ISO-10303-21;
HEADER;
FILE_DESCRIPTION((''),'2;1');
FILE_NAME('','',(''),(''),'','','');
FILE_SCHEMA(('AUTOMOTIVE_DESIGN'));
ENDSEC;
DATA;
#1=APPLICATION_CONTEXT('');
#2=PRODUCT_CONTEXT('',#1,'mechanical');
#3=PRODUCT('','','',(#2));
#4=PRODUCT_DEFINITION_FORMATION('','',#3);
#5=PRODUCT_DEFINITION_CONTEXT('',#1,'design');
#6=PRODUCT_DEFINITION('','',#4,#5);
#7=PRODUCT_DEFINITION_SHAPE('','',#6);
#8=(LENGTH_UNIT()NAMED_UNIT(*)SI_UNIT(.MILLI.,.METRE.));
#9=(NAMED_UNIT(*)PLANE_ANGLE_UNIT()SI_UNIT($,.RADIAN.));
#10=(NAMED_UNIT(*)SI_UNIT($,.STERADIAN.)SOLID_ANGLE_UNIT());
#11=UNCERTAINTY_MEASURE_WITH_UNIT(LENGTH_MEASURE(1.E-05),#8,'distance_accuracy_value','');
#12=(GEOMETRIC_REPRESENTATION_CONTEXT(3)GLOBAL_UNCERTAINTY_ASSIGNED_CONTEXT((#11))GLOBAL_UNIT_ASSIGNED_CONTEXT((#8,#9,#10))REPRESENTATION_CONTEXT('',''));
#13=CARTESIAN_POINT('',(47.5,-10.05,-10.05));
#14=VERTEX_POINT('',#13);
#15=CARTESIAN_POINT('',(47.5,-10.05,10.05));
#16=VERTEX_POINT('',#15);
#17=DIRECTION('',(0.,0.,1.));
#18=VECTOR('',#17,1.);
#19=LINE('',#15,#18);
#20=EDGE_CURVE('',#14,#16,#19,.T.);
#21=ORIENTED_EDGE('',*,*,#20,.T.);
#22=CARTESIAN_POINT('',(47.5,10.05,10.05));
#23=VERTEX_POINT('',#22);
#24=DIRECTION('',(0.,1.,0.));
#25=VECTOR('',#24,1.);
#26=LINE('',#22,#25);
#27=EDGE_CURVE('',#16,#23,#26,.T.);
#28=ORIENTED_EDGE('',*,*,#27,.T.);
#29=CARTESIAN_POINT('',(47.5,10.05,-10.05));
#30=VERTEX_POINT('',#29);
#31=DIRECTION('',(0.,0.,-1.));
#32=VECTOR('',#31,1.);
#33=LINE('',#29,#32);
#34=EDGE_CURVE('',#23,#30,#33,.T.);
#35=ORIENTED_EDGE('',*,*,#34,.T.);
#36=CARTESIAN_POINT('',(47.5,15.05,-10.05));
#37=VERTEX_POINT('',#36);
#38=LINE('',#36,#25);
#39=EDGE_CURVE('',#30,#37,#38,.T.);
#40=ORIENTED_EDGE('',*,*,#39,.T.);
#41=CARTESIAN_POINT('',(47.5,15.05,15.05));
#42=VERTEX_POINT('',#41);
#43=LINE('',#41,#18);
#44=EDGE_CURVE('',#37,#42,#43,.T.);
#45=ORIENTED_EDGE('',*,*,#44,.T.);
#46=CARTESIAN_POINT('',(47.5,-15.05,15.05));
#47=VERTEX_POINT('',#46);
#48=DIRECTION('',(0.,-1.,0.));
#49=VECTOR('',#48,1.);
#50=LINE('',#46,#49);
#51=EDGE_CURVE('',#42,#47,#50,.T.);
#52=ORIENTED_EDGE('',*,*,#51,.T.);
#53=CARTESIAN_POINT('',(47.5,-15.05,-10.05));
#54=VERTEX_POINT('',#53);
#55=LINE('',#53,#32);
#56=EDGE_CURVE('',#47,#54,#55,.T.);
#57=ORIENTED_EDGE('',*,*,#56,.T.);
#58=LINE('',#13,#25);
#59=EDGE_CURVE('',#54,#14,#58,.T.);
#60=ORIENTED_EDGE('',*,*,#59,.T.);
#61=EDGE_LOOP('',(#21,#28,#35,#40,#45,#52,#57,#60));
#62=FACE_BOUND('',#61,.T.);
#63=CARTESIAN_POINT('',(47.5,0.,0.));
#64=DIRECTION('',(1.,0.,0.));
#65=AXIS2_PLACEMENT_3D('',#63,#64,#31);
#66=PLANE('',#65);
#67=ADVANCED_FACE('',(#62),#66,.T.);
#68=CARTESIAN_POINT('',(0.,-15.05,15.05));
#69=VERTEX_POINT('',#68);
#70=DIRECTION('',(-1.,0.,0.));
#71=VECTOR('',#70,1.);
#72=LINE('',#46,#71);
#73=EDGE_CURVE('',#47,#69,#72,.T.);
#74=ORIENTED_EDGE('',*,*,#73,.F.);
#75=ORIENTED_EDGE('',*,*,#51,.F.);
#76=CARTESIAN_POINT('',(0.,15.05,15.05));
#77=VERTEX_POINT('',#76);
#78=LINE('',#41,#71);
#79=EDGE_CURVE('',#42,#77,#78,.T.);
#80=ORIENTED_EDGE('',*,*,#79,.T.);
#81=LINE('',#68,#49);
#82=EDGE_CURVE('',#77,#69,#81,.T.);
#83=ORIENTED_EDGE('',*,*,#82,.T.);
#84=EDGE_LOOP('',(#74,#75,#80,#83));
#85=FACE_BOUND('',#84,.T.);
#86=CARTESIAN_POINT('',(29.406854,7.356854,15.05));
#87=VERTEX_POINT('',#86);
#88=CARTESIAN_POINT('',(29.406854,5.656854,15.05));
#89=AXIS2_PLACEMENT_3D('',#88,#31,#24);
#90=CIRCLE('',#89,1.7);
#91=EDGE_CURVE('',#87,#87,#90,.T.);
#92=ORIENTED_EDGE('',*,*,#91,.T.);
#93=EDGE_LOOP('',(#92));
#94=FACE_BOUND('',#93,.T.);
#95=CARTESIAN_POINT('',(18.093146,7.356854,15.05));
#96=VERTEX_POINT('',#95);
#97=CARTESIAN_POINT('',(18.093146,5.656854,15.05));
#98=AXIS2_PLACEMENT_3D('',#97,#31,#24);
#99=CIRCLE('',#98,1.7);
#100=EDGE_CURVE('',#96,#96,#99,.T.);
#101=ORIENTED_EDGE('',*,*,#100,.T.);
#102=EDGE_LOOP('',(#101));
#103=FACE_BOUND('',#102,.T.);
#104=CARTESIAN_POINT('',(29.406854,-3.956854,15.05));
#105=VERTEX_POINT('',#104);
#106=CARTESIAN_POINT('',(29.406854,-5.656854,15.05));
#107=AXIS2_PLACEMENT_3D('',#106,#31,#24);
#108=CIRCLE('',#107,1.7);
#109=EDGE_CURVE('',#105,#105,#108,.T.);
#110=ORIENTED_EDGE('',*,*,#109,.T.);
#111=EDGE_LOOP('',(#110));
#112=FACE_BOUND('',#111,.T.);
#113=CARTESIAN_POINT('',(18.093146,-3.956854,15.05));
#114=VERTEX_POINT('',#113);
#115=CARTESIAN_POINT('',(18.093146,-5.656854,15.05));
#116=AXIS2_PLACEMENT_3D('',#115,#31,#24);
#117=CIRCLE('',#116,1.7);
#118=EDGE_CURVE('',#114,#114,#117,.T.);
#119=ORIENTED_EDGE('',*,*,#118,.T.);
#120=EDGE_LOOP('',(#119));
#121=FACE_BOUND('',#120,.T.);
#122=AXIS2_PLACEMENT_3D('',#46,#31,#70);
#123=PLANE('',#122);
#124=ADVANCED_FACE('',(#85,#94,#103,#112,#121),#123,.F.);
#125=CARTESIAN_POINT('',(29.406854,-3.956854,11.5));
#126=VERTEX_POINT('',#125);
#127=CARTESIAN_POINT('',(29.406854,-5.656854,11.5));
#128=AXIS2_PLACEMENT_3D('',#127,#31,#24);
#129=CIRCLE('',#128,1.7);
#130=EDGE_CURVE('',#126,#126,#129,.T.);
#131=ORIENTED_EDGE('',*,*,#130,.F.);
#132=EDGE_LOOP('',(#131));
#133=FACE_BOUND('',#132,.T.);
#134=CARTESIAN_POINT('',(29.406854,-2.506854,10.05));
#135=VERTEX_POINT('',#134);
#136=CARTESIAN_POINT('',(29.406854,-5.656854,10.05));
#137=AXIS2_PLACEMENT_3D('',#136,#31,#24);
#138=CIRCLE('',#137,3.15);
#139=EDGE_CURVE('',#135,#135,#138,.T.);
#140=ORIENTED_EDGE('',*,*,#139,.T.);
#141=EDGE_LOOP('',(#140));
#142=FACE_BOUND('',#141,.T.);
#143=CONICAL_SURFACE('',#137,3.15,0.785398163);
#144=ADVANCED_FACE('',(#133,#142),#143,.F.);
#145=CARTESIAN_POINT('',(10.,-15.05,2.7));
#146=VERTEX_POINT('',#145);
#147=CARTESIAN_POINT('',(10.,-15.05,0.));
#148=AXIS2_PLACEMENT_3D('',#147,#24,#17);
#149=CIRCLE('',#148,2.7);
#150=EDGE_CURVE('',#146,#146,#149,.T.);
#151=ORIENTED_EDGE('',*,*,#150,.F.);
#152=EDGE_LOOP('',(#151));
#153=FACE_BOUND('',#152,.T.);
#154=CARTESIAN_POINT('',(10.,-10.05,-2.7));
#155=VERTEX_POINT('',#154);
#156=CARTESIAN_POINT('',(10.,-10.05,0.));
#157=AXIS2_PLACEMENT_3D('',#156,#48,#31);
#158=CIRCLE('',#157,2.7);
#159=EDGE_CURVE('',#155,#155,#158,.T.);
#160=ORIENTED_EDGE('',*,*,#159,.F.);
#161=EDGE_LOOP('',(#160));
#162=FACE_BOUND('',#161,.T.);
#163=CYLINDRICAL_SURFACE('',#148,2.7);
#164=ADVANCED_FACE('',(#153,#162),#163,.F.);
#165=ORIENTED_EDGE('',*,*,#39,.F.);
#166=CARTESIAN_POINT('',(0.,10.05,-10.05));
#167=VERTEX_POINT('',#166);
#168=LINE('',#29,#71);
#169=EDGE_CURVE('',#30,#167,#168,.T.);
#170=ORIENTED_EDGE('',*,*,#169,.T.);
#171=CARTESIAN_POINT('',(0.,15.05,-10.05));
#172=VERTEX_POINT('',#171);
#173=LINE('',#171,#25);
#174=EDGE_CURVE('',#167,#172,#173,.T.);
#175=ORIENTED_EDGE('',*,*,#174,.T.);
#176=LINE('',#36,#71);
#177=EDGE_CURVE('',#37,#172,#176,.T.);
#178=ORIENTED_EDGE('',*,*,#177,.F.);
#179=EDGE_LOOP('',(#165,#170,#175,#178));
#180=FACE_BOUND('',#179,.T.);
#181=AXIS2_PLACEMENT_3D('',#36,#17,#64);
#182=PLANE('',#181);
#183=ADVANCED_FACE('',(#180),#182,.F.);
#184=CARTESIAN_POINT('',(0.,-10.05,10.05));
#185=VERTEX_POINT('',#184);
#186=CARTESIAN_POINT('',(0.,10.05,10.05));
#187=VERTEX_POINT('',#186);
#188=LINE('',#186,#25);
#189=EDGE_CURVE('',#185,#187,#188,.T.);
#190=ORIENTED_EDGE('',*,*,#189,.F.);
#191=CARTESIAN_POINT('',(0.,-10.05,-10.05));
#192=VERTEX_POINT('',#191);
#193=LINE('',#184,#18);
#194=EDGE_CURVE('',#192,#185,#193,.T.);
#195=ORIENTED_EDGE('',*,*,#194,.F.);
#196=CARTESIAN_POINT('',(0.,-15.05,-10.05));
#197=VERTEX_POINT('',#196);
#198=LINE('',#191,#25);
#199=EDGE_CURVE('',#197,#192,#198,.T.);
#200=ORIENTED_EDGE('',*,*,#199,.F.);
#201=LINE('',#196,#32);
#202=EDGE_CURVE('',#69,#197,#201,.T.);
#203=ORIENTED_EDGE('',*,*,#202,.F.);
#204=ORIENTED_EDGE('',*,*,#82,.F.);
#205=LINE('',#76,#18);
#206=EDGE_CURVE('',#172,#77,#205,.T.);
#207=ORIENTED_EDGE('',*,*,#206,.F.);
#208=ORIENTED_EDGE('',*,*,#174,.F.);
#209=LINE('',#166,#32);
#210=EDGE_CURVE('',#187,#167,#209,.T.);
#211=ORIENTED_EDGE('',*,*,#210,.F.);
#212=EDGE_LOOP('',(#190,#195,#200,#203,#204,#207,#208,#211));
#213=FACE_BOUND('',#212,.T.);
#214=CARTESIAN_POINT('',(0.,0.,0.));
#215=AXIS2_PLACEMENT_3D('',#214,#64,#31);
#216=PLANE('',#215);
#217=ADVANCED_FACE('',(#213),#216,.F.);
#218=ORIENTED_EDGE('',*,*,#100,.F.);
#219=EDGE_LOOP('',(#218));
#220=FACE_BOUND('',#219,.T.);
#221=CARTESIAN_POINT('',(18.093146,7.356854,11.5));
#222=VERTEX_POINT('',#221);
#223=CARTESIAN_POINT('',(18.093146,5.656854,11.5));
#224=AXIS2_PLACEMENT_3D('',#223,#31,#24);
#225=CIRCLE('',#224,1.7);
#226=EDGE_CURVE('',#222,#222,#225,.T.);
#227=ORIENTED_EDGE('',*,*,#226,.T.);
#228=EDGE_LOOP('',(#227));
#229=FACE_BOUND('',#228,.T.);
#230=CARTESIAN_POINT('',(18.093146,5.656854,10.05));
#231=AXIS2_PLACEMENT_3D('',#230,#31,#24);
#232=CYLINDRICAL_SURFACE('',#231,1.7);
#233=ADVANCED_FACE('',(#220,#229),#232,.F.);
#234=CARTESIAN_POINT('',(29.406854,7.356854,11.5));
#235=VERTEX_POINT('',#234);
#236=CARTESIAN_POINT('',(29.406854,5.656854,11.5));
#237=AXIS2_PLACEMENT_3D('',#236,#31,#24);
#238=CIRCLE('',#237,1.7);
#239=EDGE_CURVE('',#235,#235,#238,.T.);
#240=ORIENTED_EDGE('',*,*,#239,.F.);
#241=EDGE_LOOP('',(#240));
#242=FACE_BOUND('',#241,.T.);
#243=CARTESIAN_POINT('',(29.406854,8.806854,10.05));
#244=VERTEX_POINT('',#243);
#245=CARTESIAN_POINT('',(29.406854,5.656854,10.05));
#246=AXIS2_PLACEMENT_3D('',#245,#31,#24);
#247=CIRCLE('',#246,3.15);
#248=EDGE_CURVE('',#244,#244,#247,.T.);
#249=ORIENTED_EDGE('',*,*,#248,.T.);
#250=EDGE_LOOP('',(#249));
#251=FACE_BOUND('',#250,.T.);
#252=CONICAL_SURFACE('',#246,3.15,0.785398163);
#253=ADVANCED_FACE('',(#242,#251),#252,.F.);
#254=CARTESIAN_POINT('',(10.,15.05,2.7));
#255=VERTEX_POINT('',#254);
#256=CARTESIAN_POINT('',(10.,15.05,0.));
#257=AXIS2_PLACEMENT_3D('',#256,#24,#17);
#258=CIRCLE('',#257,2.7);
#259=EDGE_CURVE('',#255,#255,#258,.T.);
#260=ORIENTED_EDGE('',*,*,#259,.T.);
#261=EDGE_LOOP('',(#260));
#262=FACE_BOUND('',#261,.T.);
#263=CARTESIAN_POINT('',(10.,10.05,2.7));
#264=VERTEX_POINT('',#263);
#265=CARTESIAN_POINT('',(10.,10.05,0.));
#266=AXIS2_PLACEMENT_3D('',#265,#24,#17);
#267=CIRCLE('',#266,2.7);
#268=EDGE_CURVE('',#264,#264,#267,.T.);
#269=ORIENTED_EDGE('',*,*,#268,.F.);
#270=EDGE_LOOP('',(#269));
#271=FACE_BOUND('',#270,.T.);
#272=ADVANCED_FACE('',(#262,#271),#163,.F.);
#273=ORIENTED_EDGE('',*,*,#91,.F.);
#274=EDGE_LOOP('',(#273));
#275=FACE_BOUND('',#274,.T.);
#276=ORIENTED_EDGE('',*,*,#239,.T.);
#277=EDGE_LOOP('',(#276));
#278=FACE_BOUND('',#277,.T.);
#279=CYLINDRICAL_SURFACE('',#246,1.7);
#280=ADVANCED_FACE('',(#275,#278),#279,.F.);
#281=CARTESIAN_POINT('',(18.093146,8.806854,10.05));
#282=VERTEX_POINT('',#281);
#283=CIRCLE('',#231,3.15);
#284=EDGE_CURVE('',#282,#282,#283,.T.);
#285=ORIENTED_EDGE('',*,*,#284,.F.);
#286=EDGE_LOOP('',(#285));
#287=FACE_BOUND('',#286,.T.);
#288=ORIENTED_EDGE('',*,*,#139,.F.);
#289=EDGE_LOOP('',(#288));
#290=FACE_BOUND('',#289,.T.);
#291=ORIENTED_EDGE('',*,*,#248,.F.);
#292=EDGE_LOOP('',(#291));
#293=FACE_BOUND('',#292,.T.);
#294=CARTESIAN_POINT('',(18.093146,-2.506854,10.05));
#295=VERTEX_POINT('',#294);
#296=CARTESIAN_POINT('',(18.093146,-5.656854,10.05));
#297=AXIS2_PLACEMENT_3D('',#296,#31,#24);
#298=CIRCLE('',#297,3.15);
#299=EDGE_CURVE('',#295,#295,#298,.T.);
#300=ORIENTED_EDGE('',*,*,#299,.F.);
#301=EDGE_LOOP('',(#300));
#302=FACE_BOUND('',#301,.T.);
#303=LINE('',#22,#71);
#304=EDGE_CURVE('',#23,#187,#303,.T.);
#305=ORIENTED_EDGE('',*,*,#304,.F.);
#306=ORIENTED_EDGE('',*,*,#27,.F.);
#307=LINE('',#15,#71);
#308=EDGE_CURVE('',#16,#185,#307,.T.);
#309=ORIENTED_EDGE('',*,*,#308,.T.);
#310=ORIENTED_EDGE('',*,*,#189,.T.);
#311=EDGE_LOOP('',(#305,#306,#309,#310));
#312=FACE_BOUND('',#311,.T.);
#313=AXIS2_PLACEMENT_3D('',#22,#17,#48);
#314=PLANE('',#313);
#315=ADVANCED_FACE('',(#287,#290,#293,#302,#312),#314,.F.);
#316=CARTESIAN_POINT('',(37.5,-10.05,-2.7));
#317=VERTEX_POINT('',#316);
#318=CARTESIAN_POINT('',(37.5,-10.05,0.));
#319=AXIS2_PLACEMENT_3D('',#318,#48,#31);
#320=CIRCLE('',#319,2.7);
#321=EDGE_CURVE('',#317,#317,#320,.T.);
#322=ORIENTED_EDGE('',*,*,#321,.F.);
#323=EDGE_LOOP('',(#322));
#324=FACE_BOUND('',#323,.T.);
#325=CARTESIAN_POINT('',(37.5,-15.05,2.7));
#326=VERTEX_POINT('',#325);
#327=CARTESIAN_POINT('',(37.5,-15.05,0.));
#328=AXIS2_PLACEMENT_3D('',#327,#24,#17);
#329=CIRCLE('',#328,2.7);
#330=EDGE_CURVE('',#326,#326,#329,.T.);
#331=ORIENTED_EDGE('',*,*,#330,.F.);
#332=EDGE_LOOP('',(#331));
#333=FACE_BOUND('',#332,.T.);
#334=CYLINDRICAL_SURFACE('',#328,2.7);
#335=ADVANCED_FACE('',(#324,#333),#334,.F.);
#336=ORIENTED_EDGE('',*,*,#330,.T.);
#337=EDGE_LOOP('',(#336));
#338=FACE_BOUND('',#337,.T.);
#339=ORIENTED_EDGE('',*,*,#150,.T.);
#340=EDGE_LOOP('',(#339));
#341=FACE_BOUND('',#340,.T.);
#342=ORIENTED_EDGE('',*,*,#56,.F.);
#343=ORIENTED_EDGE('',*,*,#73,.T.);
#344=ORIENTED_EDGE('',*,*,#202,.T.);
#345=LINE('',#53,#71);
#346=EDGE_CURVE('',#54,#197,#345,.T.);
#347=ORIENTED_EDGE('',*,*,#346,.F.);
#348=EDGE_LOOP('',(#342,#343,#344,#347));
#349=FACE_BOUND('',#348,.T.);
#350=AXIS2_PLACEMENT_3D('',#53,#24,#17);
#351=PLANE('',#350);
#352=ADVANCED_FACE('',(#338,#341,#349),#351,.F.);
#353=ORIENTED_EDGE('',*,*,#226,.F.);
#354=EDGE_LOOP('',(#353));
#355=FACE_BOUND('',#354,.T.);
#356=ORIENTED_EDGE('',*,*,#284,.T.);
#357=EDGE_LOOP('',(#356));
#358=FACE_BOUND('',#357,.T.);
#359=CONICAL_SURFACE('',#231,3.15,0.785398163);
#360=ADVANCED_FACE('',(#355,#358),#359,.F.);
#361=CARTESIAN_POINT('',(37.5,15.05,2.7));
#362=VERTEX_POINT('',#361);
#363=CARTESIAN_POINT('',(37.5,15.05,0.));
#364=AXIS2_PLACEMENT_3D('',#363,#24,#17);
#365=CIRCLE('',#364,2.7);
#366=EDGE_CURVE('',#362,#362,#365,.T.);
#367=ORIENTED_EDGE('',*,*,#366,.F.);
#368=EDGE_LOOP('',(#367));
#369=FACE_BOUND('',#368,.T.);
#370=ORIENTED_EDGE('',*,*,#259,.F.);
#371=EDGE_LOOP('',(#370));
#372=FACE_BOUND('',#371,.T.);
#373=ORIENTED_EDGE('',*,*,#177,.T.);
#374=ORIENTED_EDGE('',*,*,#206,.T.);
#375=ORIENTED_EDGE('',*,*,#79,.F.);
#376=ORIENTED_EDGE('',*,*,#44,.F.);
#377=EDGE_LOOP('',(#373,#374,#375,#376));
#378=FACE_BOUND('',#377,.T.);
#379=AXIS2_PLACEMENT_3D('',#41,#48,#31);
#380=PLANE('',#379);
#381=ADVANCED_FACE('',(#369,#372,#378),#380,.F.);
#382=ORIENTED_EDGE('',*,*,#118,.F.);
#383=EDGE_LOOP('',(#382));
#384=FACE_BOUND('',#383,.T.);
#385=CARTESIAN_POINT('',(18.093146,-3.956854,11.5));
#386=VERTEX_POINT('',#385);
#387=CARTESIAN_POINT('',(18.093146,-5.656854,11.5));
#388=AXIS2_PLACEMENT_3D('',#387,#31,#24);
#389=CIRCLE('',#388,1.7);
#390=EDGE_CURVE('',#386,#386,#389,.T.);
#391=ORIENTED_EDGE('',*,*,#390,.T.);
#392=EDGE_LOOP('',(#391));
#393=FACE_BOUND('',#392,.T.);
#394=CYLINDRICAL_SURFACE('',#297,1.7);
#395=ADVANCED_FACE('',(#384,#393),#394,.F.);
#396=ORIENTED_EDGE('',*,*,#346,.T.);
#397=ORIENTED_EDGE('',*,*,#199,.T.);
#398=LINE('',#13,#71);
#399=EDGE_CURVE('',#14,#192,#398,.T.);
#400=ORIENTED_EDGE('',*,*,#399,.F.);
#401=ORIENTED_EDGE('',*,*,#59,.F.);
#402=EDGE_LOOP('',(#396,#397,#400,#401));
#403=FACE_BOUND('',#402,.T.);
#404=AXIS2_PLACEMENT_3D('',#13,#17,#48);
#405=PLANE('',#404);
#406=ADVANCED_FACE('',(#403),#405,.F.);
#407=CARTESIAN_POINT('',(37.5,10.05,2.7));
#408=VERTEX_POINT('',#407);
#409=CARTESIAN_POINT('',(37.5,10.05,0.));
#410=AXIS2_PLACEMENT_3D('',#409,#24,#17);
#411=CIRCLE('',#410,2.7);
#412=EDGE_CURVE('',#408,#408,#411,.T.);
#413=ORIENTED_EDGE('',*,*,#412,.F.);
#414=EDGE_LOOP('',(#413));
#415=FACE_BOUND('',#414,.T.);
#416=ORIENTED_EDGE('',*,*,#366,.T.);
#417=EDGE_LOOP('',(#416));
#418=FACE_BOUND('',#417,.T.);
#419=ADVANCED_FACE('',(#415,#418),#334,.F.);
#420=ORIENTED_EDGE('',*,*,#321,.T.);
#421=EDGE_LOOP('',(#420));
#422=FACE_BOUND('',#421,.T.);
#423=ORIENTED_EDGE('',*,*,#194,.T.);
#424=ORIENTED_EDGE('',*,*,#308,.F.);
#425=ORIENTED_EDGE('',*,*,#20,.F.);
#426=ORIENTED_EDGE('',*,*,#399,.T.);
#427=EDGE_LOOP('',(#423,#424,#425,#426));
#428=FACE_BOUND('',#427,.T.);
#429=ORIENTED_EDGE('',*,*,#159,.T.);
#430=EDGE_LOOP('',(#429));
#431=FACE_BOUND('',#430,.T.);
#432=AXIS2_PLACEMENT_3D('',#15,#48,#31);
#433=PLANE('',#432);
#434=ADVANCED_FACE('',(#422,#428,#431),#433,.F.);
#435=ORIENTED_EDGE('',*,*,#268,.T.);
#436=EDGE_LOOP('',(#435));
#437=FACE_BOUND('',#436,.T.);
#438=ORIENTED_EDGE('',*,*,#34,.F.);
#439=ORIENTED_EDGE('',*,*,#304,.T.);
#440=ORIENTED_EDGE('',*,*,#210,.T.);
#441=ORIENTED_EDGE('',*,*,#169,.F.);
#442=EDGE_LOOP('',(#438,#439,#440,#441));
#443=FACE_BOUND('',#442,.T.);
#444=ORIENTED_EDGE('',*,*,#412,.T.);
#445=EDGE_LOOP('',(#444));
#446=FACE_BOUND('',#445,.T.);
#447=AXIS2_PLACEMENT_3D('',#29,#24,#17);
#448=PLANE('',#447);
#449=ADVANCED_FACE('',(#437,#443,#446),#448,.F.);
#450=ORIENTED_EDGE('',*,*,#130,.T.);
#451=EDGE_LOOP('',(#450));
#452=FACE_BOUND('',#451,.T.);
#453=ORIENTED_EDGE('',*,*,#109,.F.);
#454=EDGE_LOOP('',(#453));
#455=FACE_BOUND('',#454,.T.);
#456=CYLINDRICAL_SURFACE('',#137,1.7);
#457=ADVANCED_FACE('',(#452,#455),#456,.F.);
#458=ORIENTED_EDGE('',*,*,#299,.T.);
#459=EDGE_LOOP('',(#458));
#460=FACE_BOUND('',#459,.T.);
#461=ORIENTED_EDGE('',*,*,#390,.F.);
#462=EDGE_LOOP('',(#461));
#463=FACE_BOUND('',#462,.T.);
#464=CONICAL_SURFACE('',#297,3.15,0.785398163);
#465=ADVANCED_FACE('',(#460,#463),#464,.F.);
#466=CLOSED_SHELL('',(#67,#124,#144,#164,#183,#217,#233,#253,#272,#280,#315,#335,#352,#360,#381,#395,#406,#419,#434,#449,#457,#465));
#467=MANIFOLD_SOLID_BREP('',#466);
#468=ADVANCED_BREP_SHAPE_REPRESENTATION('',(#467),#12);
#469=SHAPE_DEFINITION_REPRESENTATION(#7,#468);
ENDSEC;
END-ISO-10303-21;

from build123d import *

# Parameters (mm, degrees)
BOSS_EXTRUDE1_DEPTH                             = 47.5
CSK_FOR_M3_FLAT_HEAD_MACHINE_SCREW1_D           = 3.4
CSK_FOR_M3_FLAT_HEAD_MACHINE_SCREW1_CSINK_D     = 6.3
CSK_FOR_M3_FLAT_HEAD_MACHINE_SCREW1_CSINK_ANGLE = 90
SKETCH5_R                                       = 2.7
CUT_EXTRUDE1_DEPTH                              = 31.1


with BuildPart() as part:
    # Sketch1 → Boss-Extrude1 (new body)
    with BuildSketch(Plane(origin=(0, 0, 0), x_dir=(0, 0, -1), z_dir=(1, 0, 0))):
        Polygon((10.05, -10.05), (10.05, -15.05), (-15.05, -15.05), (-15.05, 15.05), (10.05, 15.05), (10.05, 10.05), (-10.05, 10.05), (-10.05, -10.05), align=None)
    extrude(amount=BOSS_EXTRUDE1_DEPTH)

    # CSK for M3 Flat Head Machine Screw1 (through all)
    with Locations(Plane(origin=(0, 0, 10.05), x_dir=(-1, 0, 0), z_dir=(0, 0, -1))):
        with Locations((-29.406854249, 5.656854249), (-18.093145751, 5.656854249), (-18.093145751, -5.656854249), (-29.406854249, -5.656854249)):
            CounterSinkHole(CSK_FOR_M3_FLAT_HEAD_MACHINE_SCREW1_D / 2, CSK_FOR_M3_FLAT_HEAD_MACHINE_SCREW1_CSINK_D / 2, counter_sink_angle=CSK_FOR_M3_FLAT_HEAD_MACHINE_SCREW1_CSINK_ANGLE)

    # Sketch5 → Cut-Extrude1 (cut, through all)
    with BuildSketch(Plane(origin=(0, 15.05, 0), x_dir=(1, 0, 0), z_dir=(0, 1, 0))):
        with Locations((10, 0)):
            Circle(SKETCH5_R)
        with Locations((37.5, 0)):
            Circle(SKETCH5_R)
    extrude(amount=-CUT_EXTRUDE1_DEPTH, mode=Mode.SUBTRACT)


solid = part.part
